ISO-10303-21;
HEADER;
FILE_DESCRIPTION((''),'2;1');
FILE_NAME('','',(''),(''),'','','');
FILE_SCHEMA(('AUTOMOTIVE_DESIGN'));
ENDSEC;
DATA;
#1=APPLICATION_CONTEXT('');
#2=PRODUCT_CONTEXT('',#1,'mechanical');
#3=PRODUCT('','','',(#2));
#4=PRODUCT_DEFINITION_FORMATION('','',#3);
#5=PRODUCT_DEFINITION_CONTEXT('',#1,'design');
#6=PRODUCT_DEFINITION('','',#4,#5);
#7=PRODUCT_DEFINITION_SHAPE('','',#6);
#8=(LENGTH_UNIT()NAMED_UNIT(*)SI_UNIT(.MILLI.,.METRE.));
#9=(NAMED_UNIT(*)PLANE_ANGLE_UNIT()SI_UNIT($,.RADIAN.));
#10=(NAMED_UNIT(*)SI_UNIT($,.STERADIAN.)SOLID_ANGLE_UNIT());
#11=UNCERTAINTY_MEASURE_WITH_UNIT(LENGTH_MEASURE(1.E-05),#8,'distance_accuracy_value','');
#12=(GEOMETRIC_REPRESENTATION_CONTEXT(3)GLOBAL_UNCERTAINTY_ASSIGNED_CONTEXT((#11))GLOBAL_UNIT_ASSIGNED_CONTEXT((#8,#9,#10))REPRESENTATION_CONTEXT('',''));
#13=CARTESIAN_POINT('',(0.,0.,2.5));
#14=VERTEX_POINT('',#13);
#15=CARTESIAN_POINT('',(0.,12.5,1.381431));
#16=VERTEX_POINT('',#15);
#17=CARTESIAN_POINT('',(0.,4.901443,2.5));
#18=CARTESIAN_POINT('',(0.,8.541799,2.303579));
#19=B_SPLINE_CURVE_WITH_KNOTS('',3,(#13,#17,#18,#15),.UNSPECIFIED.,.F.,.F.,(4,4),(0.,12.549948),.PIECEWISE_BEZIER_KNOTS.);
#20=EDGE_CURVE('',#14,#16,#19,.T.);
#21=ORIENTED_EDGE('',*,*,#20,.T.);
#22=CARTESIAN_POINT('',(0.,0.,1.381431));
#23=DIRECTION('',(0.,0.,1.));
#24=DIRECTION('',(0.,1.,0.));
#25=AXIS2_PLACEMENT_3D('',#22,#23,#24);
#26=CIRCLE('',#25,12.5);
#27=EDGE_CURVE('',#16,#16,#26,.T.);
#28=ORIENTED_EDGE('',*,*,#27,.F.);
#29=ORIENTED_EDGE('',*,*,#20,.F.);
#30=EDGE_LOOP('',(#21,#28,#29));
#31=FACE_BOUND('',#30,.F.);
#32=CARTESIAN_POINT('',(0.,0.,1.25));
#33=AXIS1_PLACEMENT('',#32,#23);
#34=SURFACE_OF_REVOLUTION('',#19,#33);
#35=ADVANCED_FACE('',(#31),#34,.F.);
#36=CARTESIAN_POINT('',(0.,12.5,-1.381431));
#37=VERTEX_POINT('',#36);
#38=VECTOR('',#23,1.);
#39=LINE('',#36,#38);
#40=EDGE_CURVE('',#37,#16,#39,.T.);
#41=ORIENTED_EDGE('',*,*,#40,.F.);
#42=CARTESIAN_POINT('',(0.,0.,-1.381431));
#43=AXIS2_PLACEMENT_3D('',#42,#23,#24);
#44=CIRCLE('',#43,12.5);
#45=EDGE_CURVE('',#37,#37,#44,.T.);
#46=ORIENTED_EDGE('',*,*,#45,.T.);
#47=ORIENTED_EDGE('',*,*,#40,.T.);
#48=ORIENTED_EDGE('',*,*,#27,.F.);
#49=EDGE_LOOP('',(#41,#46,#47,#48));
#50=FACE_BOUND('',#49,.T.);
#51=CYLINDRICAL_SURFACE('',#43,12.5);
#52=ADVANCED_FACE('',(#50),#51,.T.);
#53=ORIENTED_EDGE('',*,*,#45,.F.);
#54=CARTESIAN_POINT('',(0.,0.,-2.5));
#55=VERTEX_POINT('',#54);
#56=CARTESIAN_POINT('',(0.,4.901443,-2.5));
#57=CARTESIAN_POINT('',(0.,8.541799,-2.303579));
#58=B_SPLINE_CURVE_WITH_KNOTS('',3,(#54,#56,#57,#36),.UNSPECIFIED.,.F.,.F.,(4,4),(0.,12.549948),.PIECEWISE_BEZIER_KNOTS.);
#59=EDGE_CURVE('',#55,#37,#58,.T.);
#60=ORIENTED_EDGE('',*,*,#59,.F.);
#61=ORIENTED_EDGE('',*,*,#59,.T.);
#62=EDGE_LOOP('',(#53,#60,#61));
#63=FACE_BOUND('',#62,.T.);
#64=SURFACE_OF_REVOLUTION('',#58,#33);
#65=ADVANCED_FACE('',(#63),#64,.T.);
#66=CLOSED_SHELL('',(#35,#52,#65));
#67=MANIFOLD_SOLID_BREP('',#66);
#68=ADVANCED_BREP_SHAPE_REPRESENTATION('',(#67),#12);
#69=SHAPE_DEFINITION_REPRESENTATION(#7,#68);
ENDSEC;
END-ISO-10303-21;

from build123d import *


with BuildPart() as f1:
    # F0 (on Right) → F1 (revolve)
    with BuildSketch(Plane.YZ):
        with BuildLine():
            Line((0, 2.5), (0, 0))
            Line((0, 0), (0, -2.5))
            add(Edge.make_bspline(
                [(0, -2.5), (4.901443, -2.5), (8.541799, -2.303579), (12.5, -1.381431)],
                knots=[0, 0, 0, 0, 12.549948, 12.549948, 12.549948, 12.549948], degree=3))
            Line((12.5, -1.381431), (12.5, 0))
            Line((12.5, 0), (12.5, 1.381431))
            add(Edge.make_bspline(
                [(0, 2.5), (4.901443, 2.5), (8.541799, 2.303579), (12.5, 1.381431)],
                knots=[0, 0, 0, 0, 12.549948, 12.549948, 12.549948, 12.549948], degree=3))
        make_face()
    revolve(axis=Axis((0, 0, 1.25), (0, 0, 1)))


solid = f1.part
